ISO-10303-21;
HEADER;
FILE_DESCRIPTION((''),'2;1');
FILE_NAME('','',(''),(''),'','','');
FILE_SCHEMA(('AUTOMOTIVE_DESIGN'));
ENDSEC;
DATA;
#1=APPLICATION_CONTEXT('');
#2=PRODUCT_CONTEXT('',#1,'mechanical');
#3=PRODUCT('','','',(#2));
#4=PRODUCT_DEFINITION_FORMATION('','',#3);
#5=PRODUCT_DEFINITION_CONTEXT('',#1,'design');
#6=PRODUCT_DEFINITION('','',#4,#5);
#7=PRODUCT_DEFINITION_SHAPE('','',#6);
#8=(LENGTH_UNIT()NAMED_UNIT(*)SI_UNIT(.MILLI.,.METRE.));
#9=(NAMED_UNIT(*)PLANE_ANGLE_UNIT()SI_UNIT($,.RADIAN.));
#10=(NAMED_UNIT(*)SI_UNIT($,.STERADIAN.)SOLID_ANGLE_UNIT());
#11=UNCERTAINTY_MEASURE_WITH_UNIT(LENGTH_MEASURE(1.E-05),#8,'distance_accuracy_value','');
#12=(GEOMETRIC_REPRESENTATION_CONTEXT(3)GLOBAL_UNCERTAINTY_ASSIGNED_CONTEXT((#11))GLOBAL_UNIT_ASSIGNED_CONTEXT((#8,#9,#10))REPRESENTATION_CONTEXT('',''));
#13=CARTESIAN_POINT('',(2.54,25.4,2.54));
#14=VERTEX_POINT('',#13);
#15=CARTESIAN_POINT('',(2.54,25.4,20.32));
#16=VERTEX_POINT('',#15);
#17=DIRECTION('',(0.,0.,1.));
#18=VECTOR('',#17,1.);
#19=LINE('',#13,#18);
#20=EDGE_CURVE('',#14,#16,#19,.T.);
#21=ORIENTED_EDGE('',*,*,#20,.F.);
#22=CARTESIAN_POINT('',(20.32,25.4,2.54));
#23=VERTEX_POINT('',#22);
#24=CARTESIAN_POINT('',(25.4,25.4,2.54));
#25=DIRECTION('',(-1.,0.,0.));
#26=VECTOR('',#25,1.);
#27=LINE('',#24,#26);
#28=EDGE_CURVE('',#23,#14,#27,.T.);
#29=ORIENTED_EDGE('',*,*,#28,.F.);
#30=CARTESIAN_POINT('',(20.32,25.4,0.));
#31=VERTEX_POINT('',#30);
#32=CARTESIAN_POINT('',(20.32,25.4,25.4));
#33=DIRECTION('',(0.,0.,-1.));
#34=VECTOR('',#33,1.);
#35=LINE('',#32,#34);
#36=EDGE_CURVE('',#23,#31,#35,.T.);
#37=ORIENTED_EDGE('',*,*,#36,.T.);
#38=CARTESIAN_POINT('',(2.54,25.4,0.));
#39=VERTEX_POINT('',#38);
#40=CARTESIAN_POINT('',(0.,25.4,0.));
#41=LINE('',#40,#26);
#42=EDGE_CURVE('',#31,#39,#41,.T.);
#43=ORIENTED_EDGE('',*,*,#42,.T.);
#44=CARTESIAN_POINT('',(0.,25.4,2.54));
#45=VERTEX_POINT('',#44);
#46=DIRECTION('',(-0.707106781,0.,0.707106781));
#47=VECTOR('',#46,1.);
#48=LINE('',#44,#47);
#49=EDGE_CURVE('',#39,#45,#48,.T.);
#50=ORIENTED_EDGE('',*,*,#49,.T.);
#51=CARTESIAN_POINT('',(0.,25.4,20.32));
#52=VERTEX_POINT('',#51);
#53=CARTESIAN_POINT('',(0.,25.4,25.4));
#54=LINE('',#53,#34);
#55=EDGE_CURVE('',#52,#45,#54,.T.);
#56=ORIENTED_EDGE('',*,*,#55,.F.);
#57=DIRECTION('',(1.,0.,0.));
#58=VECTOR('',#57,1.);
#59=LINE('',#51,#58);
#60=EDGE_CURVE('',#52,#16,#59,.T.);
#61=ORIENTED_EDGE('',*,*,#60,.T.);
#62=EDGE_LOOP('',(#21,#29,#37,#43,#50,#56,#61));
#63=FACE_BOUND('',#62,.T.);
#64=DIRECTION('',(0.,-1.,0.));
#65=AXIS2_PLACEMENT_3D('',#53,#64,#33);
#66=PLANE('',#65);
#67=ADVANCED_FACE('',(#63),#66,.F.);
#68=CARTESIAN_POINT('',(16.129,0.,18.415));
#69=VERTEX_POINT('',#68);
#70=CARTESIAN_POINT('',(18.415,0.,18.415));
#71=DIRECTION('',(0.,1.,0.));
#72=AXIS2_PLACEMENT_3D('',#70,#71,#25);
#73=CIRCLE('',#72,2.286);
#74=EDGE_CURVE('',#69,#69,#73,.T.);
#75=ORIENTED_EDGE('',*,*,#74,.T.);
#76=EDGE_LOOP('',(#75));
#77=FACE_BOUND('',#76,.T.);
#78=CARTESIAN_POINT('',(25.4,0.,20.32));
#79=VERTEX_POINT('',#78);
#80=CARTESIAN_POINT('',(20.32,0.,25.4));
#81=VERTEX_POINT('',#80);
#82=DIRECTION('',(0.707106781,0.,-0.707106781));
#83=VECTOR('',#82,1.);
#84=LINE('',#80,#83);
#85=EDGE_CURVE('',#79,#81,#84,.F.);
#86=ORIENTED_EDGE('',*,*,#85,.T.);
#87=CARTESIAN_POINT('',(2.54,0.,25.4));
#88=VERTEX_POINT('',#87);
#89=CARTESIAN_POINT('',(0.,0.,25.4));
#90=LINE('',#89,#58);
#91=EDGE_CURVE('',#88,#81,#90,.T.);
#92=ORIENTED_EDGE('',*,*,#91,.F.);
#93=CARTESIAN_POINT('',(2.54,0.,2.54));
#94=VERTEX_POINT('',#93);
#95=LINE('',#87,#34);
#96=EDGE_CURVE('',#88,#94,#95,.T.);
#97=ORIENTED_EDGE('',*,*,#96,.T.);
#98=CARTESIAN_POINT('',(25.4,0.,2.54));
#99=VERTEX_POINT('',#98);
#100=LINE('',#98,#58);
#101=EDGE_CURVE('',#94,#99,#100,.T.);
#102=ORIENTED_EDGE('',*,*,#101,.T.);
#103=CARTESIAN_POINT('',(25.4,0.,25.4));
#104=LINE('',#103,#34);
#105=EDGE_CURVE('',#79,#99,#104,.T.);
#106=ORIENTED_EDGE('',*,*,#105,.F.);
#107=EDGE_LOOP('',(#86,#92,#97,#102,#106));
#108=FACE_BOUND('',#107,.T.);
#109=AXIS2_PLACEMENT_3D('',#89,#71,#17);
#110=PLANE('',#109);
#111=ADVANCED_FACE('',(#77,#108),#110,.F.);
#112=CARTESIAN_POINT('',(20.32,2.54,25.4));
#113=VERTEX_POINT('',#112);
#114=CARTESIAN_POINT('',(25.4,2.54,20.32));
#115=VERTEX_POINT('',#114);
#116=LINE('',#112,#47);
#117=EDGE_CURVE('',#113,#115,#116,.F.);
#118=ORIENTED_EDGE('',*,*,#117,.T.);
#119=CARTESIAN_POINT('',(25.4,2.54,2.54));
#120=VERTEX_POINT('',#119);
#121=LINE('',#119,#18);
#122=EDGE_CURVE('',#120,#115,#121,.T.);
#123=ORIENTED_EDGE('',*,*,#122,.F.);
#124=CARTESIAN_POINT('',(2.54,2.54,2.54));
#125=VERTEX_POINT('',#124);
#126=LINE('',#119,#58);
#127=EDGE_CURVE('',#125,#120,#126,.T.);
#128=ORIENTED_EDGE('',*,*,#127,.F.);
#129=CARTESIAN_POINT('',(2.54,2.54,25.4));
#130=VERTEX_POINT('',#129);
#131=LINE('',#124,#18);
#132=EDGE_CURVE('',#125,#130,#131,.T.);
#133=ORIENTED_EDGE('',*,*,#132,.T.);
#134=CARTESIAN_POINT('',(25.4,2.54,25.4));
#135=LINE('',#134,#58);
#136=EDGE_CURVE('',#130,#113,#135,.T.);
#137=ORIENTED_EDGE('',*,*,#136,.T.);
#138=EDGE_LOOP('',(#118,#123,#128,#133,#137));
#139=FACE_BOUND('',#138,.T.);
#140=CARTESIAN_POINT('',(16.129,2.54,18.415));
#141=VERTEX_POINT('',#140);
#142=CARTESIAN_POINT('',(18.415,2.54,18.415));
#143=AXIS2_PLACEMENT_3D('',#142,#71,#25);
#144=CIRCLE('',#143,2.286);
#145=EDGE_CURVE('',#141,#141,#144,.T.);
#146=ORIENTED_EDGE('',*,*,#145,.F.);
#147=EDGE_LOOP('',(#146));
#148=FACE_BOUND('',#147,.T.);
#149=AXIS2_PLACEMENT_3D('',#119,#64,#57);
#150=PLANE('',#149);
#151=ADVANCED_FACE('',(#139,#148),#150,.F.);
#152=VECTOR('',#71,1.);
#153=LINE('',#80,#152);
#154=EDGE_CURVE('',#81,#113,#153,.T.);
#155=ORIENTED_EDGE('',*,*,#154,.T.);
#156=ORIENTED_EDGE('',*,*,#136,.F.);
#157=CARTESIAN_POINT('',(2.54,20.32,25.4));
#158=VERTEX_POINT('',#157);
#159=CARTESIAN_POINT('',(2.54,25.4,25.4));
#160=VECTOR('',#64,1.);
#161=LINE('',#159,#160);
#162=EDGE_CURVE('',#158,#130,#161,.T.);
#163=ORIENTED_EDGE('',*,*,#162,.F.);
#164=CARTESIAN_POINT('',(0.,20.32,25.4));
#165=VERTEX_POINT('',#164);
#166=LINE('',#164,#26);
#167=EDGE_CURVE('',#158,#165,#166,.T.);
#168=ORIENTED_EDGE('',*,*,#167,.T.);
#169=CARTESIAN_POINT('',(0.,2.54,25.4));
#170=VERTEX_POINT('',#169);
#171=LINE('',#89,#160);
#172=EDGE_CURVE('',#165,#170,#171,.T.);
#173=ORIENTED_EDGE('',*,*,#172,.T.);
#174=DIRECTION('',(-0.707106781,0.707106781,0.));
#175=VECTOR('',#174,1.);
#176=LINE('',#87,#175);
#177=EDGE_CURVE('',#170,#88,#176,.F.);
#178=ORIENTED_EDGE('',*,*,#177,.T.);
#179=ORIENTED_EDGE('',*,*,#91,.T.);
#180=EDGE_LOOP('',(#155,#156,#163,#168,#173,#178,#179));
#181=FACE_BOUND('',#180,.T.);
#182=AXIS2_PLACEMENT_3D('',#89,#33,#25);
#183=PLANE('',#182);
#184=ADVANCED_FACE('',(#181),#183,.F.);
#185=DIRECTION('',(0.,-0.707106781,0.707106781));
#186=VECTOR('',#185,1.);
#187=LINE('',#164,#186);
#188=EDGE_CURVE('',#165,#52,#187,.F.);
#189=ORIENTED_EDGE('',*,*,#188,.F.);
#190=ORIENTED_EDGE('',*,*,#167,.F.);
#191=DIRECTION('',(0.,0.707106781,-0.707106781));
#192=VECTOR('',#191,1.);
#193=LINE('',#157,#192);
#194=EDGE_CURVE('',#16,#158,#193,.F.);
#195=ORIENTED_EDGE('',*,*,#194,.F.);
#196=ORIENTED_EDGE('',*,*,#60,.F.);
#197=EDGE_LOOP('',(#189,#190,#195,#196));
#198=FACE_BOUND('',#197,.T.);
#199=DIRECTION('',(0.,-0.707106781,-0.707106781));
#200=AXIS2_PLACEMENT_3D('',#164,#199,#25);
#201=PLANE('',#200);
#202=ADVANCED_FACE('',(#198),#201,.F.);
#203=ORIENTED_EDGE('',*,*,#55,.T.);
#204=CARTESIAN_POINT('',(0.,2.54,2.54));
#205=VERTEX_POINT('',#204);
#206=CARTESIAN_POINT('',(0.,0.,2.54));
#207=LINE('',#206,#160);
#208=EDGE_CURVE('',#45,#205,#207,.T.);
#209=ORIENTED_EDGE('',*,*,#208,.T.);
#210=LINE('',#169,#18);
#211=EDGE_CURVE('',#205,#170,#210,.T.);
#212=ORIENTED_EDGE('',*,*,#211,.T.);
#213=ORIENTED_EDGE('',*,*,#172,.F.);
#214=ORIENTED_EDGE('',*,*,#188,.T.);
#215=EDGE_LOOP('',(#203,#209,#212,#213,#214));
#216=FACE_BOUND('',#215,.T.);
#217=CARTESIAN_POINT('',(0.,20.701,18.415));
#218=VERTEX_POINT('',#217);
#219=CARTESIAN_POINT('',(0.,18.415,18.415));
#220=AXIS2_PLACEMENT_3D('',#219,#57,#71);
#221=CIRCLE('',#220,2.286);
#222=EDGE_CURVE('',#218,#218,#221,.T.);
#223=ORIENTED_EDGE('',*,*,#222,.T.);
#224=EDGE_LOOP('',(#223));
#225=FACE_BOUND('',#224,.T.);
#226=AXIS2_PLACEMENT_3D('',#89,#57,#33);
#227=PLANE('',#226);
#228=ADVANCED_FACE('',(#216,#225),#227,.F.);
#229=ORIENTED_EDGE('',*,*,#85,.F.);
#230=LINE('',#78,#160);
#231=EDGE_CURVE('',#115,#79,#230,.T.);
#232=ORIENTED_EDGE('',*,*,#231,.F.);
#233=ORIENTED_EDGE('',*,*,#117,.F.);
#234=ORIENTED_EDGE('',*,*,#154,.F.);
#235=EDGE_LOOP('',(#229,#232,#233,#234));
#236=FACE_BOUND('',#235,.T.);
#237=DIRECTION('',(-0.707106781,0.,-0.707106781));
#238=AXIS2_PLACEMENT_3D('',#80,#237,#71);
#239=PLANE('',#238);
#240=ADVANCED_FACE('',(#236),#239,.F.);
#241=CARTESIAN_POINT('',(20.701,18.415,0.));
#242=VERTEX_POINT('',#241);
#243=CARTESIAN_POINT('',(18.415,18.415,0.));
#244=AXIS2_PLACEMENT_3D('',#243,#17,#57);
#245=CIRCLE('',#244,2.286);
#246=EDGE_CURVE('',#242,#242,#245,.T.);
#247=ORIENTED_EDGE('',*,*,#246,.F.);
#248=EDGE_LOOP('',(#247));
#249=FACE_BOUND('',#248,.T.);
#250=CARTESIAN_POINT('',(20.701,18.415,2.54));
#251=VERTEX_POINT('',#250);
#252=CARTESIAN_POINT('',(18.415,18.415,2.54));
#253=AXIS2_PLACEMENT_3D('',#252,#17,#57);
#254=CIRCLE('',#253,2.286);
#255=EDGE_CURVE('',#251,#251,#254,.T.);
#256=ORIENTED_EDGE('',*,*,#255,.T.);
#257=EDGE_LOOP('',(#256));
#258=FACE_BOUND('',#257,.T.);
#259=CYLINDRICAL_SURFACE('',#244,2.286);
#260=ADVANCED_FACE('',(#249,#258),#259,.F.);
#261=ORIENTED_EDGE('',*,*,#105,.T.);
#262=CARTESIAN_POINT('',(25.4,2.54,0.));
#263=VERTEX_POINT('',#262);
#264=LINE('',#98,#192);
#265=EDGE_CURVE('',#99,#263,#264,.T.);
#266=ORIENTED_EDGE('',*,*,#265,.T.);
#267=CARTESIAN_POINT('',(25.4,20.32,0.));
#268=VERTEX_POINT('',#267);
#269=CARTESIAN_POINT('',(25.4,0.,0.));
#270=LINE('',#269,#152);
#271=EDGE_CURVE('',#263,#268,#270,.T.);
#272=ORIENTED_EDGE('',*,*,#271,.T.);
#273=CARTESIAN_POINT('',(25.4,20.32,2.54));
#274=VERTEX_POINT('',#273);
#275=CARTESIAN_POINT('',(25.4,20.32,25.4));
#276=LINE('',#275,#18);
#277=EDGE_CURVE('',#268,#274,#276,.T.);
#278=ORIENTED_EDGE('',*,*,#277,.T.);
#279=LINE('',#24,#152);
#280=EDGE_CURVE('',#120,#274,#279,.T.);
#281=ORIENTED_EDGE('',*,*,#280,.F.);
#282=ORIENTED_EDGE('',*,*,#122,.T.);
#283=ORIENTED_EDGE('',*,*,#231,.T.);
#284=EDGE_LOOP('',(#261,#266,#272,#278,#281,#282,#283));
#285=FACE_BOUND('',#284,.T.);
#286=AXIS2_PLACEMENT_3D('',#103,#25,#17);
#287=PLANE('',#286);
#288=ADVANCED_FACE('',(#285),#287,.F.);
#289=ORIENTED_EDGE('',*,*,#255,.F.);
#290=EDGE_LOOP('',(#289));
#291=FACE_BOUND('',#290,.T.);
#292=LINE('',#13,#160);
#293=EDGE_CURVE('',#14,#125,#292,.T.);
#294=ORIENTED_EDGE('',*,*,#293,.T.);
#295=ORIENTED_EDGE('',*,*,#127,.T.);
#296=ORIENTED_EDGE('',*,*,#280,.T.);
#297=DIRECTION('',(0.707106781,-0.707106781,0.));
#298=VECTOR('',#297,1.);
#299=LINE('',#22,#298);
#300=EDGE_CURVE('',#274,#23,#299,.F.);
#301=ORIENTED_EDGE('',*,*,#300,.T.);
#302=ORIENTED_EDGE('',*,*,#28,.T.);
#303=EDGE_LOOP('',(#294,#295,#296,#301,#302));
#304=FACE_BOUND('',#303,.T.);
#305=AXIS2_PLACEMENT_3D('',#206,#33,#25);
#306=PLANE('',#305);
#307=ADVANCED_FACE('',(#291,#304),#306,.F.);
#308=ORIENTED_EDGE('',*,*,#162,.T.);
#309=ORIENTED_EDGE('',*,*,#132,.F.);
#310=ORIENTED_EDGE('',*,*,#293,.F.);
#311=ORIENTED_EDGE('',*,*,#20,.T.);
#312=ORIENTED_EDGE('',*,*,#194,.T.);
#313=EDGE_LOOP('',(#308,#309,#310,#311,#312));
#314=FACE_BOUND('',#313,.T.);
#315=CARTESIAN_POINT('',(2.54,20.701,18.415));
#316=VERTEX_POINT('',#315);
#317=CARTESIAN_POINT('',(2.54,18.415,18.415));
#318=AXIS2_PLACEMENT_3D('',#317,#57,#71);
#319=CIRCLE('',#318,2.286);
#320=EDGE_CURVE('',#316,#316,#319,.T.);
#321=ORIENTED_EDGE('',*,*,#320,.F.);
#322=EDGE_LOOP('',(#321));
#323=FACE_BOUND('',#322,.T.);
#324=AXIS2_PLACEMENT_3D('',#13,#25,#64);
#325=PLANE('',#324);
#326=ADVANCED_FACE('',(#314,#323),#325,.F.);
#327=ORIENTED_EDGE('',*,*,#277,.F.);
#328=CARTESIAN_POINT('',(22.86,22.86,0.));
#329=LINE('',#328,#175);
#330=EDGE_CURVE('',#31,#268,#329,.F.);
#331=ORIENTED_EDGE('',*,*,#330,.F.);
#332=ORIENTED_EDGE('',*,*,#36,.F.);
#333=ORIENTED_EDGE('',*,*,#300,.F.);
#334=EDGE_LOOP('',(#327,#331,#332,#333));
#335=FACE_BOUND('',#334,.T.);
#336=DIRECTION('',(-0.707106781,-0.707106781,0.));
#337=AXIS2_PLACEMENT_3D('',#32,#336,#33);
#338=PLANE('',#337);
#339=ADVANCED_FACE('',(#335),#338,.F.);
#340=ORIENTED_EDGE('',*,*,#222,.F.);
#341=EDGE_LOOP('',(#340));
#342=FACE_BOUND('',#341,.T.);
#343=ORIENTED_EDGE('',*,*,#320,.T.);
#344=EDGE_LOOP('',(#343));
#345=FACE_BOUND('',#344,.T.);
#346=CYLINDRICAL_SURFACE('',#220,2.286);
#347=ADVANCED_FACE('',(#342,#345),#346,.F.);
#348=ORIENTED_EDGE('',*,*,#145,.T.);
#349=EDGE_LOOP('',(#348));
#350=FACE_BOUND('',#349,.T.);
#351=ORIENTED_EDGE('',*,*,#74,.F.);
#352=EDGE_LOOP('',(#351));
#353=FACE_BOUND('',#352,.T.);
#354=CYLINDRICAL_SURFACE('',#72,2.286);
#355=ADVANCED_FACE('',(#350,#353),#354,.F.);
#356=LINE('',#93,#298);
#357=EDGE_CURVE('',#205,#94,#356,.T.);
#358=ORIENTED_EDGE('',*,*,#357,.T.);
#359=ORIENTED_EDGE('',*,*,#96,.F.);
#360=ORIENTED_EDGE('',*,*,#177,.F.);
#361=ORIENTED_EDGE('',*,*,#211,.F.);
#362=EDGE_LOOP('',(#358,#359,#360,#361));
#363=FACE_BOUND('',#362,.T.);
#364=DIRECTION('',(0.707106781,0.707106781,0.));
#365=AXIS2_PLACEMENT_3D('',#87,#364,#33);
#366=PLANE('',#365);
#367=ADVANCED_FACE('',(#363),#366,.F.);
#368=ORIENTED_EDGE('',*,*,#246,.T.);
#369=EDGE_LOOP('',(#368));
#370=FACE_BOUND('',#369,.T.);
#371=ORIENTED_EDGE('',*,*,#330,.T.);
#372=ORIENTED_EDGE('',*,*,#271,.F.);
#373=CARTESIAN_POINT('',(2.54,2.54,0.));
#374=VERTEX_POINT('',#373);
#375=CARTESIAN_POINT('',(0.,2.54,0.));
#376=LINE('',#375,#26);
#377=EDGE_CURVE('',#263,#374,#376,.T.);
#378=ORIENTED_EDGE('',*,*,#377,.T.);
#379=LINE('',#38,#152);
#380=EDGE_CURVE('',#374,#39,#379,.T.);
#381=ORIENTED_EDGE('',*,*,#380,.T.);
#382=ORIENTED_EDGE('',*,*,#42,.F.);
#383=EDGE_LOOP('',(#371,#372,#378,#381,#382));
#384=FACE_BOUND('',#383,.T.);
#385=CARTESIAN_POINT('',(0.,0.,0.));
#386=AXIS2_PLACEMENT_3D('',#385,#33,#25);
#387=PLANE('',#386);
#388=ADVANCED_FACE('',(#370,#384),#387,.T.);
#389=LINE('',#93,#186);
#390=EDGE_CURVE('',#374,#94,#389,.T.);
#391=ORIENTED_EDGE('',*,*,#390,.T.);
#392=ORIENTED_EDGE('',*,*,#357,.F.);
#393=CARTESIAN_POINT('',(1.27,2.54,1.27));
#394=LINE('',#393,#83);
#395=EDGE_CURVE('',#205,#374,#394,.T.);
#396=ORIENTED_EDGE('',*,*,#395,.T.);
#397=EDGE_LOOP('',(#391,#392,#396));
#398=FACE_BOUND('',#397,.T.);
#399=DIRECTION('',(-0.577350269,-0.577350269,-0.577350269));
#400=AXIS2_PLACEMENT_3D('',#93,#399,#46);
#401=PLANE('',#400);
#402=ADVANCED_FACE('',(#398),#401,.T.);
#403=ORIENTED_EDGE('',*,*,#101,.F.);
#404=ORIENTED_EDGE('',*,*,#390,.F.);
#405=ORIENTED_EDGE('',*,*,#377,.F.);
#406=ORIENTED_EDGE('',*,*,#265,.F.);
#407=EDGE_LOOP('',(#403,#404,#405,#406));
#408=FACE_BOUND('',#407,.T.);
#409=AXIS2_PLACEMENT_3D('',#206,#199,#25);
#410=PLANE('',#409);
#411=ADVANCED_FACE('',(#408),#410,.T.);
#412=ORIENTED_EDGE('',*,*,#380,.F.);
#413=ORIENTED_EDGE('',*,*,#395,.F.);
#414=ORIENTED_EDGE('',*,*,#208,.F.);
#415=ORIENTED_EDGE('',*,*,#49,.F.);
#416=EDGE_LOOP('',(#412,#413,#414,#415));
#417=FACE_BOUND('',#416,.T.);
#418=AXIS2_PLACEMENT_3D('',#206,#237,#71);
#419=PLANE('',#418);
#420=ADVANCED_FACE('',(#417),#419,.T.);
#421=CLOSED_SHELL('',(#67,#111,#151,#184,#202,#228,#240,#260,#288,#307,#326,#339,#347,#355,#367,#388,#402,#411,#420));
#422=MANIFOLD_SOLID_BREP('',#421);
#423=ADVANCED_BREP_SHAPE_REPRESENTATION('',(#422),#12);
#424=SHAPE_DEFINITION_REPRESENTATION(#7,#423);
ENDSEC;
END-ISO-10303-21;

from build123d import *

# Parameters (mm, degrees)
SKETCH2_W           = 25.4
SKETCH2_H           = 25.4
BOSS_EXTRUDE2_DEPTH = 25.4
SKETCH3_W           = 22.86
SKETCH3_H           = 22.86
CUT_EXTRUDE1_DEPTH  = 22.86
SKETCH4_R           = 2.286
CUT_EXTRUDE3_DEPTH  = 2.54
SKETCH5_R           = 2.286
CUT_EXTRUDE4_DEPTH  = 2.54
SKETCH6_R           = 2.286
CUT_EXTRUDE5_DEPTH  = 2.54
CHAMFER1_SIZE       = 5.08
CHAMFER2_SIZE       = 2.54


with BuildPart() as part:
    # Sketch2 → Boss-Extrude2 (new body)
    with BuildSketch(Plane.XY):
        with Locations((12.7, 12.7)):
            Rectangle(SKETCH2_W, SKETCH2_H)
    extrude(amount=BOSS_EXTRUDE2_DEPTH)

    # Sketch3 → Cut-Extrude1 (cut)
    with BuildSketch(Plane.XY.offset(25.4)):
        with Locations((13.97, 13.97)):
            Rectangle(SKETCH3_W, SKETCH3_H)
    extrude(amount=-CUT_EXTRUDE1_DEPTH, mode=Mode.SUBTRACT)

    # Sketch4 → Cut-Extrude3 (cut)
    with BuildSketch(Plane.XY.offset(2.54)):
        with Locations((18.415, 18.415)):
            Circle(SKETCH4_R)
    extrude(amount=-CUT_EXTRUDE3_DEPTH, mode=Mode.SUBTRACT)

    # Sketch5 → Cut-Extrude4 (cut)
    with BuildSketch(Plane(origin=(2.54, 0, 0), x_dir=(0, 0, -1), z_dir=(1, 0, 0))):
        with Locations((-18.415, 18.415)):
            Circle(SKETCH5_R)
    extrude(amount=-CUT_EXTRUDE4_DEPTH, mode=Mode.SUBTRACT)

    # Sketch6 → Cut-Extrude5 (cut)
    with BuildSketch(Plane(origin=(0, 2.54, 0), x_dir=(1, 0, 0), z_dir=(0, 1, 0))):
        with Locations((18.415, -18.415)):
            Circle(SKETCH6_R)
    extrude(amount=-CUT_EXTRUDE5_DEPTH, mode=Mode.SUBTRACT)

    # Chamfer1
    chamfer1_edges = [part.edges().sort_by_distance(p)[0] for p in [
        (25.4, 1.27, 25.4),
        (1.27, 25.4, 25.4),
        (25.4, 25.4, 1.27),
    ]]
    chamfer(chamfer1_edges, length=CHAMFER1_SIZE)

    # Chamfer2
    chamfer2_edges = [part.edges().sort_by_distance(p)[0] for p in [
        (12.7, 0, 0),
        (0, 12.7, 0),
        (0, 0, 12.7),
    ]]
    chamfer(chamfer2_edges, length=CHAMFER2_SIZE)


solid = part.part
